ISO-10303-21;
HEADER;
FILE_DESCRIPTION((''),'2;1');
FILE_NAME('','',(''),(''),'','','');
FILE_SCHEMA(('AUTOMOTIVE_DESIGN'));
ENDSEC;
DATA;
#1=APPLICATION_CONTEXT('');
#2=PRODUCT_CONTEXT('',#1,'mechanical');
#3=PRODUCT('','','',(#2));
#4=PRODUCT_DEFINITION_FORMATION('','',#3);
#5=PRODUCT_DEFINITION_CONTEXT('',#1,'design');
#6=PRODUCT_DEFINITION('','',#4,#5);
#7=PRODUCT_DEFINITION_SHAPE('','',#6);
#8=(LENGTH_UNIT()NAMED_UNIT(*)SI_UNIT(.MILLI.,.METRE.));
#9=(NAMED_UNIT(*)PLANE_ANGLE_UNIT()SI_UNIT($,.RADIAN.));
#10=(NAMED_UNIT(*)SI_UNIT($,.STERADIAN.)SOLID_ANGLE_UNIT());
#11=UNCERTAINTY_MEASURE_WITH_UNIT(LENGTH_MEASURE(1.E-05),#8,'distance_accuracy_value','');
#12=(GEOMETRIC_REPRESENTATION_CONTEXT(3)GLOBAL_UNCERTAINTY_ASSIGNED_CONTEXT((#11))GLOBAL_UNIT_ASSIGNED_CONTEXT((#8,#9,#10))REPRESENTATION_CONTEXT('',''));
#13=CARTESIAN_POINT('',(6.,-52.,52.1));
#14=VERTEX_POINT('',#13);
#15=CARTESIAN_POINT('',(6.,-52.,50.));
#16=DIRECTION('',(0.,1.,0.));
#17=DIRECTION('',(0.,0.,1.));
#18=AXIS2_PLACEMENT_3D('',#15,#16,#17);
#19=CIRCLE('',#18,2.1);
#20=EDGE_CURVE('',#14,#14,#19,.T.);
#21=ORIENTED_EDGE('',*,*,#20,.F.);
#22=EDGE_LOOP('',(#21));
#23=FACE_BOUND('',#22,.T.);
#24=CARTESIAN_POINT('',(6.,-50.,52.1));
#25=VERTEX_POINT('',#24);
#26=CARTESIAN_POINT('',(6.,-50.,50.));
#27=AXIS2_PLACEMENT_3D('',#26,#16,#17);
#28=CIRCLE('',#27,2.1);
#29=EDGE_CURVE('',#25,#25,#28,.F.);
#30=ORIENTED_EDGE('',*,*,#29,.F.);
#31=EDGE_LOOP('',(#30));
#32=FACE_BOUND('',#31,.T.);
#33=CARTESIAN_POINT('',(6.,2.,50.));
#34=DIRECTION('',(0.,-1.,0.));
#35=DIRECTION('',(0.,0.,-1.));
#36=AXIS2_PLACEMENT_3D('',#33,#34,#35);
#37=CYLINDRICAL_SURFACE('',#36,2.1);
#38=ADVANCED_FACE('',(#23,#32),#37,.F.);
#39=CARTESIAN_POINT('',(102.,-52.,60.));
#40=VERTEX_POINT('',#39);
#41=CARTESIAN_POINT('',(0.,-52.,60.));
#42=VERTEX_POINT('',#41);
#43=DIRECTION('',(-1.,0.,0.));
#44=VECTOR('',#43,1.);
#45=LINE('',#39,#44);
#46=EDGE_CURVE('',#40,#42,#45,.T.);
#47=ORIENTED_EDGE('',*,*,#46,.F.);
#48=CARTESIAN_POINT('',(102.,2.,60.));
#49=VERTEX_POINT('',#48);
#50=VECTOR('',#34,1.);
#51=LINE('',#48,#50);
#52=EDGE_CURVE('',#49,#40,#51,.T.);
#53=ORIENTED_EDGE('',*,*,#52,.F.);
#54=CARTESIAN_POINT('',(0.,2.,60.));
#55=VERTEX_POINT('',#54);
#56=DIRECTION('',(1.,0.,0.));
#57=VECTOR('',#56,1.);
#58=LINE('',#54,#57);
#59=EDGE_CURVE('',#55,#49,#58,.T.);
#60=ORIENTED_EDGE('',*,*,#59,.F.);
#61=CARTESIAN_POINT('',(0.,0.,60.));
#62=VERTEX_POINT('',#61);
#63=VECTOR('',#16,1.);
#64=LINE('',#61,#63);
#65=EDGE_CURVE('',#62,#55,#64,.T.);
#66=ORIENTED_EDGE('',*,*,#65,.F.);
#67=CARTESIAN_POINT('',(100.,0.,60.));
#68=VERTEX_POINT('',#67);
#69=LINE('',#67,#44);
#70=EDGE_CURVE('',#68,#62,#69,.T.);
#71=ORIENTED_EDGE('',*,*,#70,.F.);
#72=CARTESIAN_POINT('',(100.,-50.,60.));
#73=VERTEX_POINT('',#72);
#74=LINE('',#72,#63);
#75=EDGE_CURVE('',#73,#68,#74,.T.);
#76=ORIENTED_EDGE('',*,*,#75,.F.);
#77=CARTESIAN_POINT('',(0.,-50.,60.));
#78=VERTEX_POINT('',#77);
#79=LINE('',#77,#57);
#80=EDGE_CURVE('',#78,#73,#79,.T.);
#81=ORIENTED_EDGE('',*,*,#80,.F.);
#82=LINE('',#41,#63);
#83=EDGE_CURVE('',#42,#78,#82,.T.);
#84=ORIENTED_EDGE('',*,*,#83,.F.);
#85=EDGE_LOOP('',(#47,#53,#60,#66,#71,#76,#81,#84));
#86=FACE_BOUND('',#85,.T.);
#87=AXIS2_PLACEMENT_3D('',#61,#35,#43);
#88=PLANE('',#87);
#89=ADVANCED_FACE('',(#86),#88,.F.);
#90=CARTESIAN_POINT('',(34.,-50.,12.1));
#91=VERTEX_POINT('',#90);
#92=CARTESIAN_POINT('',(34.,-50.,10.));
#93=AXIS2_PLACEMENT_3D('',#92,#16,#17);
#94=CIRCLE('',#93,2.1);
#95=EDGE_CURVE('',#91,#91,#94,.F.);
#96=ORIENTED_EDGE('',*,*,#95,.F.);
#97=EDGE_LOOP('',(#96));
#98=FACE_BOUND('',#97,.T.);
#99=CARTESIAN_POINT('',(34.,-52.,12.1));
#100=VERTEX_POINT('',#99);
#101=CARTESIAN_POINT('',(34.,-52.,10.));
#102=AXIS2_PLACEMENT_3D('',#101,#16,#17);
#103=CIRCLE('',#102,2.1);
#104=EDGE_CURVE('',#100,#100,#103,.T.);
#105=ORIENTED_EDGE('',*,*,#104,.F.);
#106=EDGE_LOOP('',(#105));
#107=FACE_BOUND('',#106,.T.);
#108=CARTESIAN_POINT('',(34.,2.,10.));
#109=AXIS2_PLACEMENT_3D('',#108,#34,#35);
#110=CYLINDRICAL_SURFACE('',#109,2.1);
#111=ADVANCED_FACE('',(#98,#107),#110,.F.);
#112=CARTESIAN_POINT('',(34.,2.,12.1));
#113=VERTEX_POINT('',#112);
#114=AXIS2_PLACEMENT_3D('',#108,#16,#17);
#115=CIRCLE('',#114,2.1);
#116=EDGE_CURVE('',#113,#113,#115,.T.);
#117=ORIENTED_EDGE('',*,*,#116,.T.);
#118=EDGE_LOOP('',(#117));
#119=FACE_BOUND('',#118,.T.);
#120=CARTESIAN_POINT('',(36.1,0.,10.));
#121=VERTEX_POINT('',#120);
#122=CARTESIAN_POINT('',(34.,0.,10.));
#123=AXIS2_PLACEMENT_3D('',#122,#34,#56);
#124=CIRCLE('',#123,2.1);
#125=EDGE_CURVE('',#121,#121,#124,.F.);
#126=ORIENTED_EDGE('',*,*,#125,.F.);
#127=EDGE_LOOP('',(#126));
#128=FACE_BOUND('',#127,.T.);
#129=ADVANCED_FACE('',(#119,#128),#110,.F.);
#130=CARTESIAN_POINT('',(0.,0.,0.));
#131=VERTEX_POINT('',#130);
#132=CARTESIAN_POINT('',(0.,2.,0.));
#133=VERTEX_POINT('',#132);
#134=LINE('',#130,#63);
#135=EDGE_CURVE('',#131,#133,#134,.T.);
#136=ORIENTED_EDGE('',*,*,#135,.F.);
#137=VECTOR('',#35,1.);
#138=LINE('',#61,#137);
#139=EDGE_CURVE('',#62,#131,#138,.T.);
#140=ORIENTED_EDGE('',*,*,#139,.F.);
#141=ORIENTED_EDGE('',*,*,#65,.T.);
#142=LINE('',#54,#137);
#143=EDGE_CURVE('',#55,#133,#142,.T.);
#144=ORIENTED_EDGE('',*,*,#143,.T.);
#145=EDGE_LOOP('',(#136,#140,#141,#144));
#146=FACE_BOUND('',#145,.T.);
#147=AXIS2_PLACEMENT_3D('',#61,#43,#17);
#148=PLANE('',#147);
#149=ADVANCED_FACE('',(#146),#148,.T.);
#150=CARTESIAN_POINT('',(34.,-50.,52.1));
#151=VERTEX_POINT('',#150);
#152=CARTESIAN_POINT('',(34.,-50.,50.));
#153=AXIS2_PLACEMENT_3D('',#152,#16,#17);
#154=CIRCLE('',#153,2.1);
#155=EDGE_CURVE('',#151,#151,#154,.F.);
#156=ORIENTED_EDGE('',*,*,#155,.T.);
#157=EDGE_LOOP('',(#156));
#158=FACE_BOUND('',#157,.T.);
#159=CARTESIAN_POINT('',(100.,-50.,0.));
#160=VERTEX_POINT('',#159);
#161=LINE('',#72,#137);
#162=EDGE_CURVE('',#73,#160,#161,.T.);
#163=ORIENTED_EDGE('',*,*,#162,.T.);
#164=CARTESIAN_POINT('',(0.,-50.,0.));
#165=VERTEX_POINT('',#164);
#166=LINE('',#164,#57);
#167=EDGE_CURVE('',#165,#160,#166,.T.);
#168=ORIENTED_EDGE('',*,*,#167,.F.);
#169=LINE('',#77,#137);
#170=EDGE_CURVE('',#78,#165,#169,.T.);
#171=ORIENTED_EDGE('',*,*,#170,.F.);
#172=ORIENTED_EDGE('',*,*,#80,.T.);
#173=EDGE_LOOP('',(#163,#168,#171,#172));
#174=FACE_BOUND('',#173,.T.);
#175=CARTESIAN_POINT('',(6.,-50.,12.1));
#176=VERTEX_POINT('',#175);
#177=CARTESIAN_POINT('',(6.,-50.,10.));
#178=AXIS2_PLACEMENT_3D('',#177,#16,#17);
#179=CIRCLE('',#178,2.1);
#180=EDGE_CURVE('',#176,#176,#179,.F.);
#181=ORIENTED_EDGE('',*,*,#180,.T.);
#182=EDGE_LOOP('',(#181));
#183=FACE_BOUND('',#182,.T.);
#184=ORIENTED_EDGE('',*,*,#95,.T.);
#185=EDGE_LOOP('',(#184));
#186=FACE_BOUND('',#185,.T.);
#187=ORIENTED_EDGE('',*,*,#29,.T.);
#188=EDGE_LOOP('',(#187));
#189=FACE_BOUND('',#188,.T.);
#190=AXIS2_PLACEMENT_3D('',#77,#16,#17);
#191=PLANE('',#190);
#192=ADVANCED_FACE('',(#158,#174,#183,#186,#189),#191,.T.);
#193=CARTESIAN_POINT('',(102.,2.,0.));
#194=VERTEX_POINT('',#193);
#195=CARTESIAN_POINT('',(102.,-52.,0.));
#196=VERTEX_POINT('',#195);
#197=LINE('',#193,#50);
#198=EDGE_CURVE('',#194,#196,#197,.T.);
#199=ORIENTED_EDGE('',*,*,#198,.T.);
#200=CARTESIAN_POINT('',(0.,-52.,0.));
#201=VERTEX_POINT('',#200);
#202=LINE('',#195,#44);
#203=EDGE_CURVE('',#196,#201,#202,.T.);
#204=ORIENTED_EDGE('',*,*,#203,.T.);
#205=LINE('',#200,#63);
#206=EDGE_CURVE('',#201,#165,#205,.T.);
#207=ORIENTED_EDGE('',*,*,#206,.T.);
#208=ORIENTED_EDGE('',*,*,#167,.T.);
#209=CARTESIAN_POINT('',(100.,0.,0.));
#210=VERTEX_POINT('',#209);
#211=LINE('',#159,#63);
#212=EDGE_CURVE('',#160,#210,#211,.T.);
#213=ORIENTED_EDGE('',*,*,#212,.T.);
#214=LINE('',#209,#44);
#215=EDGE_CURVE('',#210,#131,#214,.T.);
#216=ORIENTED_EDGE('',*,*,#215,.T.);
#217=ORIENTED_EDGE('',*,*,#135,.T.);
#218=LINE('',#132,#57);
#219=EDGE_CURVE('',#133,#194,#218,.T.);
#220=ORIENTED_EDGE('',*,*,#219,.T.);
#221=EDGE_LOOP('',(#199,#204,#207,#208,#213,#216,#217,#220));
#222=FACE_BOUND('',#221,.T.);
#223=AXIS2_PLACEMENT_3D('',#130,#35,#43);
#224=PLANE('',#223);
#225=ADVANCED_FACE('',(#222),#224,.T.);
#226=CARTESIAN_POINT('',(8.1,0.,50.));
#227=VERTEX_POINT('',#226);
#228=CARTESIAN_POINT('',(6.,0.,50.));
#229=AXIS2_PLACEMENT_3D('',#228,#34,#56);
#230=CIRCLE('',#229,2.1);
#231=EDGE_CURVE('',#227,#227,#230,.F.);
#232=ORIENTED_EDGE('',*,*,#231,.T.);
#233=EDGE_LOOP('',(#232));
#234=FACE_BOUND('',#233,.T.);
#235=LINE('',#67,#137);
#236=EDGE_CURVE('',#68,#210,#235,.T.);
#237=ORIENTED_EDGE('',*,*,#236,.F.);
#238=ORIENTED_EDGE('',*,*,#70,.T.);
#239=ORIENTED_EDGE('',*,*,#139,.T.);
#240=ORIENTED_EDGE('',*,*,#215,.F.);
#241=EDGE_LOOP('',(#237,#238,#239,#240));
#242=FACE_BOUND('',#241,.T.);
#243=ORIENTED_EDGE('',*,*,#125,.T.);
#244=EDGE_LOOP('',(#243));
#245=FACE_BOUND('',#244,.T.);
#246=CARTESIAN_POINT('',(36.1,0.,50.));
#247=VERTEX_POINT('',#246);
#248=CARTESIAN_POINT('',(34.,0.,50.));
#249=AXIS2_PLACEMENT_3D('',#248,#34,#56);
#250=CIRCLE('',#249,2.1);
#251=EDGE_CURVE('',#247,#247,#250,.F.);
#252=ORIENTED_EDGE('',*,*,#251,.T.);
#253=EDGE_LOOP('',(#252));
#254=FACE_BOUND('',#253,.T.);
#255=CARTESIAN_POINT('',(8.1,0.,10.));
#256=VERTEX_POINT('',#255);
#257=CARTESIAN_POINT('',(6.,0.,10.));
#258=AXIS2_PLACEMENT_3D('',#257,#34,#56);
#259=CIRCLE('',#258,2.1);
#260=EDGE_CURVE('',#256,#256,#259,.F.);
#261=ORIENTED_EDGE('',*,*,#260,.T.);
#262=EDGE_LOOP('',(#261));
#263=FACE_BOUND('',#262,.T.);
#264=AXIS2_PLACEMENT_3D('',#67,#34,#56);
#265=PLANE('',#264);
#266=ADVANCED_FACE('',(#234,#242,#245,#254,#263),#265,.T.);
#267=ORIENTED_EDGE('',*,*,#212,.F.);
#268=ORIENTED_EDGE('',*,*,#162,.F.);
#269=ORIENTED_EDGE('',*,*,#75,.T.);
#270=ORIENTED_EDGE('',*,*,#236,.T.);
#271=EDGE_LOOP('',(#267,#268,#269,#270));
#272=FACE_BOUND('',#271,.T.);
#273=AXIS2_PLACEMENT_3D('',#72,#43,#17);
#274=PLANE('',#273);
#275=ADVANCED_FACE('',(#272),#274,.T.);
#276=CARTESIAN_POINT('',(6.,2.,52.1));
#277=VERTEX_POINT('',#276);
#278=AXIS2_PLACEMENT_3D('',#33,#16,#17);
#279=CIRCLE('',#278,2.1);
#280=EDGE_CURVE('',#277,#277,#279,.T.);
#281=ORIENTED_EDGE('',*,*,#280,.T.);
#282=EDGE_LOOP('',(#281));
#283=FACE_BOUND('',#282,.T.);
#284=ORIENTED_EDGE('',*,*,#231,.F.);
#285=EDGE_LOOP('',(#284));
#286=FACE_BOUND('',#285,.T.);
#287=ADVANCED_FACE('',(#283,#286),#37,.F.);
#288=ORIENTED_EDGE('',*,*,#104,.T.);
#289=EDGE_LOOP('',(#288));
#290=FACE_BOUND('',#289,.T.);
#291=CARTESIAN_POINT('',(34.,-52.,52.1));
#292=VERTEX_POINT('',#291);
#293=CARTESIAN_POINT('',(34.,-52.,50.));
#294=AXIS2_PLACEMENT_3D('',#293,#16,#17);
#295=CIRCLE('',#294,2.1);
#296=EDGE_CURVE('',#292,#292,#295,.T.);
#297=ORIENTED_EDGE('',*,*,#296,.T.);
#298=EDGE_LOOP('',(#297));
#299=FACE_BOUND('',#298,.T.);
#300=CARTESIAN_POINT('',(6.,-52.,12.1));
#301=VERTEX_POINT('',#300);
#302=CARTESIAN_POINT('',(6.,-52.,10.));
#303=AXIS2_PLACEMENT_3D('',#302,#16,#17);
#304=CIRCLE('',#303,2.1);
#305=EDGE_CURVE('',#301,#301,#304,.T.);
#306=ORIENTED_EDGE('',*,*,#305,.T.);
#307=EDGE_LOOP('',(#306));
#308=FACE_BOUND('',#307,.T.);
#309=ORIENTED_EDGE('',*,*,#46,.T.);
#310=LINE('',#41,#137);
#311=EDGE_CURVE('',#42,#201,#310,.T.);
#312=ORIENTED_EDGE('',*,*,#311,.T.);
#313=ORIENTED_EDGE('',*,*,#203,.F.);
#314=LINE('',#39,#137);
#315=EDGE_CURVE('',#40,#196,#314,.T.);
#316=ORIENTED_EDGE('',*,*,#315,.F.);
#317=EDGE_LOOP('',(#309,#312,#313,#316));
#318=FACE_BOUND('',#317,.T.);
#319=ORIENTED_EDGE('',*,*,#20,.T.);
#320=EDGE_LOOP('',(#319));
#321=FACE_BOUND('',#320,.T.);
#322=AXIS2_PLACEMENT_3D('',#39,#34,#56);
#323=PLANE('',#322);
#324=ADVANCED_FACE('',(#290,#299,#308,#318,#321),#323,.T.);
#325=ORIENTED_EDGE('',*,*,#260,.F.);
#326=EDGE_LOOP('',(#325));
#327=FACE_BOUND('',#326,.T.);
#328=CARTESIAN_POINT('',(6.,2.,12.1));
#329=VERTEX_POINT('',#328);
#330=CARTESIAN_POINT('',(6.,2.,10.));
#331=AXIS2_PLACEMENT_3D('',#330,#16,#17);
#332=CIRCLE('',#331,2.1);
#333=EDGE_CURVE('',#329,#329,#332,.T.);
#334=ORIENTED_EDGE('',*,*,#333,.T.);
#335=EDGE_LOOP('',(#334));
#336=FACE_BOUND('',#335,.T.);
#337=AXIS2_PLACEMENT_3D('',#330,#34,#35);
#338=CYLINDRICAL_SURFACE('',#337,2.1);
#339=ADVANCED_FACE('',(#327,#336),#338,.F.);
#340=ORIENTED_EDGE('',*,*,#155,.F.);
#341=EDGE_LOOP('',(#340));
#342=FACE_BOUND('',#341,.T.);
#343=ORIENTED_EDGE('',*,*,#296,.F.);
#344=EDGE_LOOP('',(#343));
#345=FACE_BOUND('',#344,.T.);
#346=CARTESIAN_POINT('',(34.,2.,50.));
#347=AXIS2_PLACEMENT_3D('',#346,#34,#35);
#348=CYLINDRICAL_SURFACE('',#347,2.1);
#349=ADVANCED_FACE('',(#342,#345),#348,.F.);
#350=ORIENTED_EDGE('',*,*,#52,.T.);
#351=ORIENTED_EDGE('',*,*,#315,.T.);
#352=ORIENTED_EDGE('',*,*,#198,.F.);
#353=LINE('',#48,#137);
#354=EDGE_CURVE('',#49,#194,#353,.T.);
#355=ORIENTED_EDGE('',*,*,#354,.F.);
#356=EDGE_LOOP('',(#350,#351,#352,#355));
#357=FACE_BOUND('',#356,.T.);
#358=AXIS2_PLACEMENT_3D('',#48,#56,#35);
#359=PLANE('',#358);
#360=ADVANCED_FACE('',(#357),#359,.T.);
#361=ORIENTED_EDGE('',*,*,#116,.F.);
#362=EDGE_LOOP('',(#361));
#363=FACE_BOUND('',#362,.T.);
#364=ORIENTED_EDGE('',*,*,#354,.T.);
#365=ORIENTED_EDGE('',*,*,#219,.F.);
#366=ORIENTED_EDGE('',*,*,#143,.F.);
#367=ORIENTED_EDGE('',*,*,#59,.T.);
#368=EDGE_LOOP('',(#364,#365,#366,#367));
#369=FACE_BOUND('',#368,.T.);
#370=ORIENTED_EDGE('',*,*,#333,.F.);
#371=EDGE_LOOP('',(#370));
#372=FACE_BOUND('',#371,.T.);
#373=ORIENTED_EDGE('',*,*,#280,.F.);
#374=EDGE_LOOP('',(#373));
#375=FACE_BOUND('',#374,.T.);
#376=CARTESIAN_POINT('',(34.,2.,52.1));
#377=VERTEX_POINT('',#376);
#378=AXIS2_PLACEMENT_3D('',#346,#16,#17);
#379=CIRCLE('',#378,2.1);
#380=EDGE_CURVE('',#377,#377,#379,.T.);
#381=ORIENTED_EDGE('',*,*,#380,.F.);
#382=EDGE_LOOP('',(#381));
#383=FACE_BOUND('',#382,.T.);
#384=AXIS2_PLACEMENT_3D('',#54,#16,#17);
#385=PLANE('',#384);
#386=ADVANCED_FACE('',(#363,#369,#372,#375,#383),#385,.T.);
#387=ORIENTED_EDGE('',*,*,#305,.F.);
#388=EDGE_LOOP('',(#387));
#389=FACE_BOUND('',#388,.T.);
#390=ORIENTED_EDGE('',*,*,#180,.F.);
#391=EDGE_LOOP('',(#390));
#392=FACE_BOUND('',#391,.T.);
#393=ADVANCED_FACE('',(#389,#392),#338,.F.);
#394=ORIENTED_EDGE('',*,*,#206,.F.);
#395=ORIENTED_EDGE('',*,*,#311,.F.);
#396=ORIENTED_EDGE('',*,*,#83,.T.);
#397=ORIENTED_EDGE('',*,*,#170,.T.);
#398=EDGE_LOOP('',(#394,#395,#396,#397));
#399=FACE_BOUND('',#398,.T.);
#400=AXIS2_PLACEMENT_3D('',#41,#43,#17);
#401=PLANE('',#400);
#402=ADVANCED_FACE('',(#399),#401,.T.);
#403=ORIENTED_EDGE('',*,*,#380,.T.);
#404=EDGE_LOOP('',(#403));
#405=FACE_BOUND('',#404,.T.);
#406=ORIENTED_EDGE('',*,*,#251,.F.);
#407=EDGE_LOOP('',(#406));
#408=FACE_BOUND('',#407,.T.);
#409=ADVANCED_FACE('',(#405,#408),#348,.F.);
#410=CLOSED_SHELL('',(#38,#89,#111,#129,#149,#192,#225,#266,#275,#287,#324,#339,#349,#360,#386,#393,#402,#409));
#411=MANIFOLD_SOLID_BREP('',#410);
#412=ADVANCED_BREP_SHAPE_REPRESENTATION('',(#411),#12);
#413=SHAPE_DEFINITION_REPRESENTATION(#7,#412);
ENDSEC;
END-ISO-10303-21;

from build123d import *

# Parameters (mm, degrees)
EXTRUDE_1_DEPTH         = 60
CUT_EXTRUDE1_DEPTH      = 130.259429056
CUT_EXTRUDE1_DEPTH_BACK = 130.259429056
SKETCH1_R               = 2.1


with BuildPart() as part:
    # 草图1 → 凸台-拉伸1 (new body)
    with BuildSketch(Plane.XY):
        Polygon((0, 0), (0, 2), (102, 2), (102, -52), (0, -52), (0, -50), (100, -50), (100, 0), align=None)
    extrude(amount=EXTRUDE_1_DEPTH)

    # Sketch1 → Cut-Extrude1 (cut, two sides: drawn at the far end of the back side and taken through both)
    with BuildSketch(Plane(origin=(0, 0, 0), x_dir=(1, 0, 0), z_dir=(0, 1, 0)).offset(-CUT_EXTRUDE1_DEPTH_BACK)):
        with Locations(Location((6, -10, 0), (0, 0, 270))):
            Circle(SKETCH1_R)
        with Locations(Location((34, -10, 0), (0, 0, 270))):
            Circle(SKETCH1_R)
        with Locations(Location((34, -50, 0), (0, 0, 270))):
            Circle(SKETCH1_R)
        with Locations(Location((6, -50, 0), (0, 0, 270))):
            Circle(SKETCH1_R)
    extrude(amount=CUT_EXTRUDE1_DEPTH + CUT_EXTRUDE1_DEPTH_BACK, mode=Mode.SUBTRACT)


solid = part.part
